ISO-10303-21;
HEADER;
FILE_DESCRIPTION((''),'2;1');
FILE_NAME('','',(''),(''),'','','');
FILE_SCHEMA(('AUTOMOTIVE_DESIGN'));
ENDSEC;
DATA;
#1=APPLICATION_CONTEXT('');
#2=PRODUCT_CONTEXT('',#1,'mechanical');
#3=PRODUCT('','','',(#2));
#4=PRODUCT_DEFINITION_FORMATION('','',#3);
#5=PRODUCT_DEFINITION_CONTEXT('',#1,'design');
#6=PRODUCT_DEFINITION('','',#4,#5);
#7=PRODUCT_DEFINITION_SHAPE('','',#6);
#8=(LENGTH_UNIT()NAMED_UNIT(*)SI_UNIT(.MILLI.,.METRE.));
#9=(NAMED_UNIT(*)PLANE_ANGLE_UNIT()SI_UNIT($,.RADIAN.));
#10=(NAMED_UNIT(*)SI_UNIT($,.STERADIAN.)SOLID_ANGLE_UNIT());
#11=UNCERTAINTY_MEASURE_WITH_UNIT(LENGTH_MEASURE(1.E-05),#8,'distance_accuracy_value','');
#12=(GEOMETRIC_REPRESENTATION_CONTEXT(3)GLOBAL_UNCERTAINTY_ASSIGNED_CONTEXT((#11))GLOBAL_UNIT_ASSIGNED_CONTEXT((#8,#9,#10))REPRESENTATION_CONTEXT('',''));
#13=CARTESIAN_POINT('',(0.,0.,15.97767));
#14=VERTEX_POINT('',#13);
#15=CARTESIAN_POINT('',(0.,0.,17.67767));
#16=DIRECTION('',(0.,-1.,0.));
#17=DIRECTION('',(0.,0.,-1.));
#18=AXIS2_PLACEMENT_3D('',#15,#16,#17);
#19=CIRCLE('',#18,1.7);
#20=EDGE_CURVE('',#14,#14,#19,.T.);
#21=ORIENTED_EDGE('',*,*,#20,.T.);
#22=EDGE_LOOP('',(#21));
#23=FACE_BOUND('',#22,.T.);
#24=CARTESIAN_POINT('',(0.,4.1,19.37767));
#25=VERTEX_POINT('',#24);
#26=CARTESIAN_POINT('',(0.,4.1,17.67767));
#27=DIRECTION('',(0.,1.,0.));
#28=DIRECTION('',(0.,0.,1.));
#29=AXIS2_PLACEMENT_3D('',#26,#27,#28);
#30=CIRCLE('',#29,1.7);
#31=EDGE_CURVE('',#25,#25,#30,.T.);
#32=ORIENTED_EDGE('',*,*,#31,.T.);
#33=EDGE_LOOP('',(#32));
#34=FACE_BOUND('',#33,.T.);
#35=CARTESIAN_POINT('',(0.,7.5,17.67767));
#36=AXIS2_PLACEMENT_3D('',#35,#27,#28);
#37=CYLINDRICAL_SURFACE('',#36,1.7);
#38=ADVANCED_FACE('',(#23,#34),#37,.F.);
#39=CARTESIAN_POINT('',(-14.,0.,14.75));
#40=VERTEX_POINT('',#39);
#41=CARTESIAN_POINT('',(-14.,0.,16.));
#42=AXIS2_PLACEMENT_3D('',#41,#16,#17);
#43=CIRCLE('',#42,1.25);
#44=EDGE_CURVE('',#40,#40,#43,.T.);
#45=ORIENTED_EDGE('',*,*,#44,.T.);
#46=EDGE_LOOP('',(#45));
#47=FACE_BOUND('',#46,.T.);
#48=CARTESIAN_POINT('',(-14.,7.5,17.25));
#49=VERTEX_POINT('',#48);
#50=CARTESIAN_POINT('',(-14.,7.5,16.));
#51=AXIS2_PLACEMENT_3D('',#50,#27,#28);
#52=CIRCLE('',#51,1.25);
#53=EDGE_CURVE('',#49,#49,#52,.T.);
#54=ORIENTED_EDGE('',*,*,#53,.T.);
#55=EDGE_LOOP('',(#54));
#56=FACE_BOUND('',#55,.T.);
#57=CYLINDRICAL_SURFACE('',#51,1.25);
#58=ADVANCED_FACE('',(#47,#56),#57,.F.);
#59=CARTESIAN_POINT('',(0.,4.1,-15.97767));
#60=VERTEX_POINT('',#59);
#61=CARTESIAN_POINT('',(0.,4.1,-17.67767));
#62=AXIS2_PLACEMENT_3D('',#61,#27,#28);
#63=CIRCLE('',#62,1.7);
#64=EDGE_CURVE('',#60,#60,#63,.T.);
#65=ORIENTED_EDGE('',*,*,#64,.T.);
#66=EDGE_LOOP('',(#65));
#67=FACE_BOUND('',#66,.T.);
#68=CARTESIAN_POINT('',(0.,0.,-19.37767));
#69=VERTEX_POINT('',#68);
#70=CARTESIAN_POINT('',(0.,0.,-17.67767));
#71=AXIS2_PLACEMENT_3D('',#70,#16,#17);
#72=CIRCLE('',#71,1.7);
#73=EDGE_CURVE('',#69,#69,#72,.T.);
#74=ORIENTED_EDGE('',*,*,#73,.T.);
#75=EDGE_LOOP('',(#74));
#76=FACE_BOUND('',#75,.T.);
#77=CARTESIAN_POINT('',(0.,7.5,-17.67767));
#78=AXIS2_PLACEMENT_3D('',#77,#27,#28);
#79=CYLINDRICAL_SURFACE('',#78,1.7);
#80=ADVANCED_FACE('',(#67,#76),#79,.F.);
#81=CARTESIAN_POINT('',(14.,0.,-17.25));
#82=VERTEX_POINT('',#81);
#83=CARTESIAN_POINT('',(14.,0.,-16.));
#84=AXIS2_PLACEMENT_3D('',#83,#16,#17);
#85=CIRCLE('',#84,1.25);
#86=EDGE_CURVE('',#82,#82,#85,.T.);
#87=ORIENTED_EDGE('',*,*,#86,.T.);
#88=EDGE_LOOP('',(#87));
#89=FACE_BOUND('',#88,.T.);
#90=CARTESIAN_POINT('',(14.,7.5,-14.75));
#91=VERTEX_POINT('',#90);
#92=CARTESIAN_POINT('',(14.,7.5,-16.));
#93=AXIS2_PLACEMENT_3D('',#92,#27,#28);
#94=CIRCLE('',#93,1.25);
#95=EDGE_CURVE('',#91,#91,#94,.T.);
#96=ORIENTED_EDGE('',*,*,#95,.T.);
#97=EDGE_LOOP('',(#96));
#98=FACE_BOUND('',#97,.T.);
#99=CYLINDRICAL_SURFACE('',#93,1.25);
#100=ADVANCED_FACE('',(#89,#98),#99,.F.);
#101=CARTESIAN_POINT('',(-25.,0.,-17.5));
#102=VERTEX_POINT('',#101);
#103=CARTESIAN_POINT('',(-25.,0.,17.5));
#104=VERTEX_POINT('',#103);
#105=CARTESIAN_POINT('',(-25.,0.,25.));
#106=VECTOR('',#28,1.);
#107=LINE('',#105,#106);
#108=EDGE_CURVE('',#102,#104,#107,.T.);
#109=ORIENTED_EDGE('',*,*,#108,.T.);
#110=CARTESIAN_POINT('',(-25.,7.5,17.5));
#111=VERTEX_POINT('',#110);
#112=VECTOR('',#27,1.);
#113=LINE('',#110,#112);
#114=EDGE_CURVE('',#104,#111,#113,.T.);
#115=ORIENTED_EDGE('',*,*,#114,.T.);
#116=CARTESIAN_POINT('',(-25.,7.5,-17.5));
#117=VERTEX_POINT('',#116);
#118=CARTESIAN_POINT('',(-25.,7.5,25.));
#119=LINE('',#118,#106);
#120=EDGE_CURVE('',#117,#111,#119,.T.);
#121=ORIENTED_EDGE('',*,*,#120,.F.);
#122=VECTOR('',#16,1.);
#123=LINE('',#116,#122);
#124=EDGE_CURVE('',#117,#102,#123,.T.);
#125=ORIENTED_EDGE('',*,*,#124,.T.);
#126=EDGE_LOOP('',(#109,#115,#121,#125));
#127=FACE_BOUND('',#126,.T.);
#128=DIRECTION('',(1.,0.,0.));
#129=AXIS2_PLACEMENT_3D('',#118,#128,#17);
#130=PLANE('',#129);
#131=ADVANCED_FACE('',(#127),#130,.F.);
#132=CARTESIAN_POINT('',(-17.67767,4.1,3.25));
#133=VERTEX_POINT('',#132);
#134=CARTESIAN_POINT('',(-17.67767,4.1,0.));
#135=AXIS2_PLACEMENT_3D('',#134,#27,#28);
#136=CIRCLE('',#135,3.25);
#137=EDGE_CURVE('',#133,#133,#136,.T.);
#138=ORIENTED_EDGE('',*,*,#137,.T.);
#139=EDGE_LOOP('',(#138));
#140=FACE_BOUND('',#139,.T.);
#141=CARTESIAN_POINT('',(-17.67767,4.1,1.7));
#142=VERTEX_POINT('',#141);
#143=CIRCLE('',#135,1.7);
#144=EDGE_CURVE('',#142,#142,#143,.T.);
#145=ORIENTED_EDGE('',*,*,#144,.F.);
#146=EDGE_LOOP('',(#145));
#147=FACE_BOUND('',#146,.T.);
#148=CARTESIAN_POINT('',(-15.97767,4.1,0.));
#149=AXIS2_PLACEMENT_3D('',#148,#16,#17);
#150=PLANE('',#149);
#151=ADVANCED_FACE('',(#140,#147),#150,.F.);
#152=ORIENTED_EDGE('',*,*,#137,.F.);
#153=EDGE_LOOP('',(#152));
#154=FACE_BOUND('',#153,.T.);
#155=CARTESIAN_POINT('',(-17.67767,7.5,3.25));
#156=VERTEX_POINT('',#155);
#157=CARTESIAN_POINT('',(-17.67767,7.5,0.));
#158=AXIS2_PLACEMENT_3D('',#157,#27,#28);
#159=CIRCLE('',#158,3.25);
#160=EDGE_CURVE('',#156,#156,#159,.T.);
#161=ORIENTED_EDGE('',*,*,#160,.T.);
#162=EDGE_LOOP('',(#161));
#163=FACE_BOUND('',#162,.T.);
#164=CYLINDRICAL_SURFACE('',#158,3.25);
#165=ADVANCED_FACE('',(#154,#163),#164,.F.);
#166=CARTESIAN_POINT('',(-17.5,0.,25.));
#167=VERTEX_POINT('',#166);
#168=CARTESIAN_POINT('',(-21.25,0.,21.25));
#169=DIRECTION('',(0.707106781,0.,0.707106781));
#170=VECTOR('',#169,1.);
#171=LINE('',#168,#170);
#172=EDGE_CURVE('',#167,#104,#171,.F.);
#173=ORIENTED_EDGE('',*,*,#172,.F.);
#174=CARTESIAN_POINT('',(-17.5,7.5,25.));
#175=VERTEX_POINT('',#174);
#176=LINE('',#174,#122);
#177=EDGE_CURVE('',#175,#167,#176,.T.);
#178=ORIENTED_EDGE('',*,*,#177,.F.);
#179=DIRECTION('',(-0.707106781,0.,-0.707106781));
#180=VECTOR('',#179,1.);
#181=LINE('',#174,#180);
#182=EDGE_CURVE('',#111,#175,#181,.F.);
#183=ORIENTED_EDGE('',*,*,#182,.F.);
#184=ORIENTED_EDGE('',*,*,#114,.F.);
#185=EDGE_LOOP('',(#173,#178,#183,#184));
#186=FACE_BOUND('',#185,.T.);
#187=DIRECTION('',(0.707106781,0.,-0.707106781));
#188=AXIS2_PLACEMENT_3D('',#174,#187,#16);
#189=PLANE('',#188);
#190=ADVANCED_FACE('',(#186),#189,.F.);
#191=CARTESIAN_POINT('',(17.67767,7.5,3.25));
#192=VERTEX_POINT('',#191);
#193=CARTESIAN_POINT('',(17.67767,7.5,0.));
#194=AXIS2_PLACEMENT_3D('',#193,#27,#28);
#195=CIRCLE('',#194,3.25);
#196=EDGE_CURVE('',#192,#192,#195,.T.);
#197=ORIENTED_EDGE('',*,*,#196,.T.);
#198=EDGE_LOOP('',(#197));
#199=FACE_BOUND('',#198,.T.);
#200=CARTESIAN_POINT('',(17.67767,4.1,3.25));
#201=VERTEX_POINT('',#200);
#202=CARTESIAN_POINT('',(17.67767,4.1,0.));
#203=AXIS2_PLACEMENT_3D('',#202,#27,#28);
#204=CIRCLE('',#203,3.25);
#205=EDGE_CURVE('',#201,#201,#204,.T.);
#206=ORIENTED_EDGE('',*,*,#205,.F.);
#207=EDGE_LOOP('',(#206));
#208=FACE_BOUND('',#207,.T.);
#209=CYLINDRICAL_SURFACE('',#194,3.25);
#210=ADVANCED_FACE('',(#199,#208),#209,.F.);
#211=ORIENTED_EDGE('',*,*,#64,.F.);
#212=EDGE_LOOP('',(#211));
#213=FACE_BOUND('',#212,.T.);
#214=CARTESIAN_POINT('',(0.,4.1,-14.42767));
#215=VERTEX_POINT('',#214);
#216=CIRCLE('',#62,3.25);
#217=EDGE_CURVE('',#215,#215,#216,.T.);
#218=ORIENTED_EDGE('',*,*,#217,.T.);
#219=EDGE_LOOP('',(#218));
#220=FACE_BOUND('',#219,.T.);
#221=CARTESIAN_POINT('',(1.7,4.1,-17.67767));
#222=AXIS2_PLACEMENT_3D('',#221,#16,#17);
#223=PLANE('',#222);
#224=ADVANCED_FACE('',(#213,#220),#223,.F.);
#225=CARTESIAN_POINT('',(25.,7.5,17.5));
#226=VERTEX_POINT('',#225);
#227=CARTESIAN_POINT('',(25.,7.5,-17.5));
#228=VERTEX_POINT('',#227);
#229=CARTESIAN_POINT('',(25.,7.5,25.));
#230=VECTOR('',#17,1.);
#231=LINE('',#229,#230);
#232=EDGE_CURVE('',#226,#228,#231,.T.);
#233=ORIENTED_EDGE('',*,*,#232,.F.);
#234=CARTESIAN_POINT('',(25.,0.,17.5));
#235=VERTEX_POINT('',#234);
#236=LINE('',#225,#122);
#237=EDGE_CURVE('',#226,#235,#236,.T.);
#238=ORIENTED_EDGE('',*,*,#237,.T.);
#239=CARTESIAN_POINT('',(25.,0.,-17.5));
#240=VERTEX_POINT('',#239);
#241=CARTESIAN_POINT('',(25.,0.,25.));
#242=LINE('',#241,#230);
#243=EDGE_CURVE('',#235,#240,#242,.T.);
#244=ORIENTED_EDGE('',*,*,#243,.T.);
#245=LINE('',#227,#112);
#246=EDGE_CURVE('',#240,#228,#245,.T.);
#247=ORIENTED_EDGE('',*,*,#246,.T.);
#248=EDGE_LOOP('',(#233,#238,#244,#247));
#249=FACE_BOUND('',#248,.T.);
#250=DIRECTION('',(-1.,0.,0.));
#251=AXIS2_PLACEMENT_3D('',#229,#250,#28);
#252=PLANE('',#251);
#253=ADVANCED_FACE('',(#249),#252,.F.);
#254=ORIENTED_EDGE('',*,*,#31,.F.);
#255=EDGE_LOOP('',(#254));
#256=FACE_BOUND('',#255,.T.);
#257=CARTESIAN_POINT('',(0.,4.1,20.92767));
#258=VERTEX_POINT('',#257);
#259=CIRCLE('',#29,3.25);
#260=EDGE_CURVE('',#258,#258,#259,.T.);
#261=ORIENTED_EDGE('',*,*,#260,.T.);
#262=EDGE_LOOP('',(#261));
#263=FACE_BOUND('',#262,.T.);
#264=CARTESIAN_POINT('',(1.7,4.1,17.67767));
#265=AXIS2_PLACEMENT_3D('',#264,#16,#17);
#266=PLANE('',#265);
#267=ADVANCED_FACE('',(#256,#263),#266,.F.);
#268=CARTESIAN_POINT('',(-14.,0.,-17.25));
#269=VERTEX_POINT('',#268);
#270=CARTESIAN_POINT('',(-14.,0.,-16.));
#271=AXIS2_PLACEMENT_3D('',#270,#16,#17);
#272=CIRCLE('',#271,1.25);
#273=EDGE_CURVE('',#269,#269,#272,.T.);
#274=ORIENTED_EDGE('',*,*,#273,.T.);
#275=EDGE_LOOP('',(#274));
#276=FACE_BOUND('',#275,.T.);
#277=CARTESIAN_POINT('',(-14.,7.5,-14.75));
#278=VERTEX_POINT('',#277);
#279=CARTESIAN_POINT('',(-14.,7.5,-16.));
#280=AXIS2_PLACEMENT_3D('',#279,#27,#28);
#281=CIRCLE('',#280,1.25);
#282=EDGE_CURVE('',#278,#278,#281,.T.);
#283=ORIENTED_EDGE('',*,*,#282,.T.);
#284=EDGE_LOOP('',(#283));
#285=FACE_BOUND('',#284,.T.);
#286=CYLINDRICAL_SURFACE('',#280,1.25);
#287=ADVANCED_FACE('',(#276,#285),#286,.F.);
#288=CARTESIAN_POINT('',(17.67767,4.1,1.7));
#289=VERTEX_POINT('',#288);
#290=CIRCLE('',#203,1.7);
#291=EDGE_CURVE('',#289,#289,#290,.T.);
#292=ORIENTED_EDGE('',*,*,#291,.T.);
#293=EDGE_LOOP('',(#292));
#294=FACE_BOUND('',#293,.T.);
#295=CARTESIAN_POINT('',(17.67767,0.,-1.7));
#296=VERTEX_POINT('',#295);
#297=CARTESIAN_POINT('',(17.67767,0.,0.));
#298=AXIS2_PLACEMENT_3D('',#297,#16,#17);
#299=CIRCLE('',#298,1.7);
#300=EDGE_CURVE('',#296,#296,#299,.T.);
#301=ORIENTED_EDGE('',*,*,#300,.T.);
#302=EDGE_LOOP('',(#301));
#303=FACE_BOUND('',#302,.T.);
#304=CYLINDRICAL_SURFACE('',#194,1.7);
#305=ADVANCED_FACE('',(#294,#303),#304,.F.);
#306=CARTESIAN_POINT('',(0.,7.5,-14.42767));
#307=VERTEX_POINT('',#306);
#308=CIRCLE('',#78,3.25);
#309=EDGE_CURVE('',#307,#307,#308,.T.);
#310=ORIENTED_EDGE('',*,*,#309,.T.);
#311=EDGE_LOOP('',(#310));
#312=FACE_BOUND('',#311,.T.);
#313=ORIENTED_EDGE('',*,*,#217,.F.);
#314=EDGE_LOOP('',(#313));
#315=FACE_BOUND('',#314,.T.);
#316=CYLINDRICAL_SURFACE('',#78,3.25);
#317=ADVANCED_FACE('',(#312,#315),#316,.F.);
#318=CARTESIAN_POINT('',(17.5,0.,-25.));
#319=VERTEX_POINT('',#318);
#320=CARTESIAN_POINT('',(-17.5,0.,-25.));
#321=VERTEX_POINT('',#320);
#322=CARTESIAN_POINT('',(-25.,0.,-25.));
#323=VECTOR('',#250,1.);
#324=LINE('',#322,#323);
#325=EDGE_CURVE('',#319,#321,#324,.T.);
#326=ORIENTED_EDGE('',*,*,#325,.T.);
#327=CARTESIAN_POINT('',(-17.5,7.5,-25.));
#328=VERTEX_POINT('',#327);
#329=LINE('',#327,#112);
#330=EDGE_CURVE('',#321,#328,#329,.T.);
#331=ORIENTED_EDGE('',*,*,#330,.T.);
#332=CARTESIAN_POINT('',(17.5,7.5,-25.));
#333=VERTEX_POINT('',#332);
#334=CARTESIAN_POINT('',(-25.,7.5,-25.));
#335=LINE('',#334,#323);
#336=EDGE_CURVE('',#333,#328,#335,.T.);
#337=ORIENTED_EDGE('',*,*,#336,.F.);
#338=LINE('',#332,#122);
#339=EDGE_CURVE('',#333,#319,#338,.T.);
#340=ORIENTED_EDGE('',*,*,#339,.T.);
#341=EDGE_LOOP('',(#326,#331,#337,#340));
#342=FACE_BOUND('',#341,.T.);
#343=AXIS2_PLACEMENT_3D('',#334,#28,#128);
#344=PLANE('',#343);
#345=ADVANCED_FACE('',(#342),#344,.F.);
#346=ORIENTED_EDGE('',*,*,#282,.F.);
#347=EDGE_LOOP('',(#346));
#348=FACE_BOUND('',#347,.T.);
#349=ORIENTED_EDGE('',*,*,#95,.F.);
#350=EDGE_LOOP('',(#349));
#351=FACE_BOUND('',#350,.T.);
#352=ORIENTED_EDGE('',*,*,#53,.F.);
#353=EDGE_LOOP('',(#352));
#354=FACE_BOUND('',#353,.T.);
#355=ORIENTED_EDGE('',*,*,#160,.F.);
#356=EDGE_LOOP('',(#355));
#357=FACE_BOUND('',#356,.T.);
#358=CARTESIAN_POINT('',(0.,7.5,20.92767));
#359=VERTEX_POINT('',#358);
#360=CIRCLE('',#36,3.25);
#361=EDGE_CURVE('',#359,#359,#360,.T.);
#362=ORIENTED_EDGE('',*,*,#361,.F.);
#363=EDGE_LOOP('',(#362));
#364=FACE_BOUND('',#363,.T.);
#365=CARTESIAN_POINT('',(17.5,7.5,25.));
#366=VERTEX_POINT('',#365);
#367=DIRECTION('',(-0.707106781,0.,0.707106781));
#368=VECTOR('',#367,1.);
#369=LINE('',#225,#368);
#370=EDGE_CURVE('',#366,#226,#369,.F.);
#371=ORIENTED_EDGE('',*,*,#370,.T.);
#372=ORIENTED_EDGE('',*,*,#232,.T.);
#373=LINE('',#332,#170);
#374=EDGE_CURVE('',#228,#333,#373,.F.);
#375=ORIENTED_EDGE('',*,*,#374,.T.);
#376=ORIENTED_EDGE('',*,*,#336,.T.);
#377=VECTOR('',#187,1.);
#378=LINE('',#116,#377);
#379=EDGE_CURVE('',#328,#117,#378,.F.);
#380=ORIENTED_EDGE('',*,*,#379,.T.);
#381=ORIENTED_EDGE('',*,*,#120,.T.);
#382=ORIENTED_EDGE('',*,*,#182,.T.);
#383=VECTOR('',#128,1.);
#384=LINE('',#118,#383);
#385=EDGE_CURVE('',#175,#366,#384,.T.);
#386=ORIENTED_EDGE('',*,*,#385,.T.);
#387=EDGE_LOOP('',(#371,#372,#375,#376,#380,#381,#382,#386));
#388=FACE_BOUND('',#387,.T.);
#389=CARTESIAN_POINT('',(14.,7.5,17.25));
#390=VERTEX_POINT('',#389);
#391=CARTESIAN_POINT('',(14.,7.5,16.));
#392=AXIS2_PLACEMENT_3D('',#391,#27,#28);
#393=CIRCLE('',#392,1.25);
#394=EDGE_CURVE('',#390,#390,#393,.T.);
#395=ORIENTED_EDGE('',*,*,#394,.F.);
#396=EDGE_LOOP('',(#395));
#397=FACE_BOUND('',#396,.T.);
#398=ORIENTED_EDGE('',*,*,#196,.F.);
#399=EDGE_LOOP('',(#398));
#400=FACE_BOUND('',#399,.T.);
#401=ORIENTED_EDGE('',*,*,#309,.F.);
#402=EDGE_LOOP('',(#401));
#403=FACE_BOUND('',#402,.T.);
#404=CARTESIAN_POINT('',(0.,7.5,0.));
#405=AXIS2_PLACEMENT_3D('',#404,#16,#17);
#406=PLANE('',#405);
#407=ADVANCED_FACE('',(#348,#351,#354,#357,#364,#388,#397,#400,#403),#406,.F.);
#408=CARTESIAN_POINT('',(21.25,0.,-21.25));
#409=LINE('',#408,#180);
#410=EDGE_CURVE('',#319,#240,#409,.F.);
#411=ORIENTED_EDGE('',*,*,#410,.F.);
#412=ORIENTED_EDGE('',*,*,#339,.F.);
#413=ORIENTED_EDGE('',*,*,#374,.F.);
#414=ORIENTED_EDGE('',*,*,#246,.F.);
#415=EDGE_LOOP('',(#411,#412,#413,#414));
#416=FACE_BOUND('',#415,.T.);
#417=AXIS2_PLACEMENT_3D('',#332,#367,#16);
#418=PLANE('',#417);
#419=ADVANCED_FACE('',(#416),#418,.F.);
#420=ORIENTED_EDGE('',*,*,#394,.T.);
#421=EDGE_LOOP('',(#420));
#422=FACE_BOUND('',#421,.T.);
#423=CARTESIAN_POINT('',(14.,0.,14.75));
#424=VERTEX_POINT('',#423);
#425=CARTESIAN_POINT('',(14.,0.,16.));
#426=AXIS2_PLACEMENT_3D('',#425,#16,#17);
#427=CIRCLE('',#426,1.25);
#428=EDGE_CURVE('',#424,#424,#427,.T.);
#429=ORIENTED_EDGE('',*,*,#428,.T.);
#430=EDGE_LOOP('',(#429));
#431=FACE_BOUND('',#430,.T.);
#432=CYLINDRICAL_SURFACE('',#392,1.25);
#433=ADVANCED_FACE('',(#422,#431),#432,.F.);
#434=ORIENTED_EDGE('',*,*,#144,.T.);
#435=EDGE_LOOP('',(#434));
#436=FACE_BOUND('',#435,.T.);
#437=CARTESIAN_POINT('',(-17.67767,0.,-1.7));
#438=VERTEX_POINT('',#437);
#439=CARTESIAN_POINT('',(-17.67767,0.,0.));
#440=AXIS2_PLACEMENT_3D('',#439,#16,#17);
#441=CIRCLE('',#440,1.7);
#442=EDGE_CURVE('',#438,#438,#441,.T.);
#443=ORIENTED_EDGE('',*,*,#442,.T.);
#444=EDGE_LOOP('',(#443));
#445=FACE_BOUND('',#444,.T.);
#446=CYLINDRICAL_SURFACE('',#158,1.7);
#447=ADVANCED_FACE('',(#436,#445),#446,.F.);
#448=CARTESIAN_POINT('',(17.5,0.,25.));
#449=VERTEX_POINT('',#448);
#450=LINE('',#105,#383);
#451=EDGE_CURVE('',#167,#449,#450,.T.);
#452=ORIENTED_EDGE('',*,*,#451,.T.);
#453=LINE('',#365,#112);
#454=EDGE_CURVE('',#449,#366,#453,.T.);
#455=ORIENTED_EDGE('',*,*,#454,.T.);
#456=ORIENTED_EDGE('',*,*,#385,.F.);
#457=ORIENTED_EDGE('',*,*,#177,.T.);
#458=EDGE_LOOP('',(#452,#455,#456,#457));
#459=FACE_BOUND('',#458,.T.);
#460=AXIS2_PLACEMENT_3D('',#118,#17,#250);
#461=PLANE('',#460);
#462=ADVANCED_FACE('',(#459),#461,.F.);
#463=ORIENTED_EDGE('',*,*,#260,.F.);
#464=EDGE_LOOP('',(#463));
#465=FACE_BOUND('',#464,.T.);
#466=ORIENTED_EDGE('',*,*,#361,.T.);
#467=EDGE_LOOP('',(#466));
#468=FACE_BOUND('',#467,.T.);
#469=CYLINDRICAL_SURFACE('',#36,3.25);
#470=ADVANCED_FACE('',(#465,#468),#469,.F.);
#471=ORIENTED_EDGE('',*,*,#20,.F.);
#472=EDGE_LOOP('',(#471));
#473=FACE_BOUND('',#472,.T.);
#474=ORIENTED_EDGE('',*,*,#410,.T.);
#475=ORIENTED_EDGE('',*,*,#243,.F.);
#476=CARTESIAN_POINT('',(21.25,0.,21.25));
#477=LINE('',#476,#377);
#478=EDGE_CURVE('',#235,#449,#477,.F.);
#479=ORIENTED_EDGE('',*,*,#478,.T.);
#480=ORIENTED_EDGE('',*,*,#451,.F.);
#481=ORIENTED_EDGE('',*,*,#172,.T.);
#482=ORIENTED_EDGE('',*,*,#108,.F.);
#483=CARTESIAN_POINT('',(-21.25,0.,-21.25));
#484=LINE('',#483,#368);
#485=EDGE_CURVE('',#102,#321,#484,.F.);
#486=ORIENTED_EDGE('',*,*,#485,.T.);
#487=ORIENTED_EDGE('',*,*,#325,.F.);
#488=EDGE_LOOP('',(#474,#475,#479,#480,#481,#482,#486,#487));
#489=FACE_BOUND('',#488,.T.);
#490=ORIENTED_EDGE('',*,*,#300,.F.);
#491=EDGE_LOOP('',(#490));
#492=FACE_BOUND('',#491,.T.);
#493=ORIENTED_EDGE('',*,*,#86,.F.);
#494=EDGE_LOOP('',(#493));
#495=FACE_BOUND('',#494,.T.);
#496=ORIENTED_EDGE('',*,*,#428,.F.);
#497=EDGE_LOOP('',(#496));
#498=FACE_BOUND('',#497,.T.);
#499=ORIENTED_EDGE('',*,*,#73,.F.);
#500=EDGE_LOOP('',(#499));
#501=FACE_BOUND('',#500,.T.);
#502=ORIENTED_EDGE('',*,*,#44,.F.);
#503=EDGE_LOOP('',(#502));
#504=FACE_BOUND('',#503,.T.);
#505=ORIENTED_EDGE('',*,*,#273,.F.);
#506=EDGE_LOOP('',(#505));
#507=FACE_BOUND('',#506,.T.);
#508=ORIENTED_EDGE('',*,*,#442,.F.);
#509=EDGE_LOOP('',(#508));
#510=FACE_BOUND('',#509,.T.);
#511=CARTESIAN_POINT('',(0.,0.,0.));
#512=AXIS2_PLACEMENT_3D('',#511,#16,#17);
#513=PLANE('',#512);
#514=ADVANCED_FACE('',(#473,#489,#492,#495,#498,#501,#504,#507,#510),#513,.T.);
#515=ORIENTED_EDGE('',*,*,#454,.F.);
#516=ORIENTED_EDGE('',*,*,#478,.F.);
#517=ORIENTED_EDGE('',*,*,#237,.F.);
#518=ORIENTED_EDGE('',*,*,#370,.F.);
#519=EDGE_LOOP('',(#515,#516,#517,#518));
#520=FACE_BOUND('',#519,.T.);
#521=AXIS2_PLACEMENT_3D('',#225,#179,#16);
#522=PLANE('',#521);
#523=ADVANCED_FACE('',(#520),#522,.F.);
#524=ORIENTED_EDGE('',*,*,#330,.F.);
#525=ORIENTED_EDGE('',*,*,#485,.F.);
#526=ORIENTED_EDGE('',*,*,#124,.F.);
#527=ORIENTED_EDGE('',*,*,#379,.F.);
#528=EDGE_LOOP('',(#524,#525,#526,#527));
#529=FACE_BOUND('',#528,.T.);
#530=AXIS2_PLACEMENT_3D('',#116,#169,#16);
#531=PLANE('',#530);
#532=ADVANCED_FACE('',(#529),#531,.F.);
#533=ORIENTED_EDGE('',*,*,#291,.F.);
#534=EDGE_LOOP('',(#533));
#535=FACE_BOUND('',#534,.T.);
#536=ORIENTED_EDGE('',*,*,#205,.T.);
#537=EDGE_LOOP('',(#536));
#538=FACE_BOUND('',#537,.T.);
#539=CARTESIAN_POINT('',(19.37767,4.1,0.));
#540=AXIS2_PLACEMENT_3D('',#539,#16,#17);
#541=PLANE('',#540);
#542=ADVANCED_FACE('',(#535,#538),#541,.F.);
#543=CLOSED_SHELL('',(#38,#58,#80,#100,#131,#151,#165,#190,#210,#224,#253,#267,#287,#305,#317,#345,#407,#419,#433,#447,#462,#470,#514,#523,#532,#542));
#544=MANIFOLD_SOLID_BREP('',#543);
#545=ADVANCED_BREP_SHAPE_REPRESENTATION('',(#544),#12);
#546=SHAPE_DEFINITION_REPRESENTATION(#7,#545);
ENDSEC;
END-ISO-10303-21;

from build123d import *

# Parameters (mm, degrees)
SKETCH1_W                                           = 50
SKETCH1_H                                           = 50
BOSS_EXTRUDE1_DEPTH                                 = 7.5
M3_TAPPED_HOLE1_D                                   = 2.5
M3_TAPPED_HOLE1_DEPTH                               = 7.5
CBORE_FOR_M3_HEX_SOCKET_HEAD_CAP_SCREW1_D           = 3.4
CBORE_FOR_M3_HEX_SOCKET_HEAD_CAP_SCREW1_DEPTH       = 7.5
CBORE_FOR_M3_HEX_SOCKET_HEAD_CAP_SCREW1_CBORE_D     = 6.5
CBORE_FOR_M3_HEX_SOCKET_HEAD_CAP_SCREW1_CBORE_DEPTH = 3.4
CHAMFER1_SIZE                                       = 7.5


with BuildPart() as part:
    # Sketch1 → Boss-Extrude1 (new body)
    with BuildSketch(Plane(origin=(0, 0, 0), x_dir=(1, 0, 0), z_dir=(0, 1, 0))):
        Rectangle(SKETCH1_W, SKETCH1_H)
    extrude(amount=BOSS_EXTRUDE1_DEPTH)

    # M3 Tapped Hole1
    with Locations(Plane(origin=(0, 7.5, 0), x_dir=(1, 0, 0), z_dir=(0, 1, 0))):
        with Locations((-14, -16), (-14, 16), (14, 16), (14, -16)):
            Hole(M3_TAPPED_HOLE1_D / 2, depth=M3_TAPPED_HOLE1_DEPTH)

    # CBORE for M3 Hex Socket Head Cap Screw1
    with Locations(Plane(origin=(0, 7.5, 0), x_dir=(1, 0, 0), z_dir=(0, 1, 0))):
        with Locations((0, 17.67766953), (-17.67766953, 0), (17.67766953, 0), (0, -17.67766953)):
            CounterBoreHole(CBORE_FOR_M3_HEX_SOCKET_HEAD_CAP_SCREW1_D / 2, CBORE_FOR_M3_HEX_SOCKET_HEAD_CAP_SCREW1_CBORE_D / 2, CBORE_FOR_M3_HEX_SOCKET_HEAD_CAP_SCREW1_CBORE_DEPTH, depth=CBORE_FOR_M3_HEX_SOCKET_HEAD_CAP_SCREW1_DEPTH)

    # Chamfer1
    chamfer1_edges = [part.edges().sort_by_distance(p)[0] for p in [
        (25, 3.75, 25),
        (-25, 3.75, 25),
        (-25, 3.75, -25),
        (25, 3.75, -25),
    ]]
    chamfer(chamfer1_edges, length=CHAMFER1_SIZE)


solid = part.part
